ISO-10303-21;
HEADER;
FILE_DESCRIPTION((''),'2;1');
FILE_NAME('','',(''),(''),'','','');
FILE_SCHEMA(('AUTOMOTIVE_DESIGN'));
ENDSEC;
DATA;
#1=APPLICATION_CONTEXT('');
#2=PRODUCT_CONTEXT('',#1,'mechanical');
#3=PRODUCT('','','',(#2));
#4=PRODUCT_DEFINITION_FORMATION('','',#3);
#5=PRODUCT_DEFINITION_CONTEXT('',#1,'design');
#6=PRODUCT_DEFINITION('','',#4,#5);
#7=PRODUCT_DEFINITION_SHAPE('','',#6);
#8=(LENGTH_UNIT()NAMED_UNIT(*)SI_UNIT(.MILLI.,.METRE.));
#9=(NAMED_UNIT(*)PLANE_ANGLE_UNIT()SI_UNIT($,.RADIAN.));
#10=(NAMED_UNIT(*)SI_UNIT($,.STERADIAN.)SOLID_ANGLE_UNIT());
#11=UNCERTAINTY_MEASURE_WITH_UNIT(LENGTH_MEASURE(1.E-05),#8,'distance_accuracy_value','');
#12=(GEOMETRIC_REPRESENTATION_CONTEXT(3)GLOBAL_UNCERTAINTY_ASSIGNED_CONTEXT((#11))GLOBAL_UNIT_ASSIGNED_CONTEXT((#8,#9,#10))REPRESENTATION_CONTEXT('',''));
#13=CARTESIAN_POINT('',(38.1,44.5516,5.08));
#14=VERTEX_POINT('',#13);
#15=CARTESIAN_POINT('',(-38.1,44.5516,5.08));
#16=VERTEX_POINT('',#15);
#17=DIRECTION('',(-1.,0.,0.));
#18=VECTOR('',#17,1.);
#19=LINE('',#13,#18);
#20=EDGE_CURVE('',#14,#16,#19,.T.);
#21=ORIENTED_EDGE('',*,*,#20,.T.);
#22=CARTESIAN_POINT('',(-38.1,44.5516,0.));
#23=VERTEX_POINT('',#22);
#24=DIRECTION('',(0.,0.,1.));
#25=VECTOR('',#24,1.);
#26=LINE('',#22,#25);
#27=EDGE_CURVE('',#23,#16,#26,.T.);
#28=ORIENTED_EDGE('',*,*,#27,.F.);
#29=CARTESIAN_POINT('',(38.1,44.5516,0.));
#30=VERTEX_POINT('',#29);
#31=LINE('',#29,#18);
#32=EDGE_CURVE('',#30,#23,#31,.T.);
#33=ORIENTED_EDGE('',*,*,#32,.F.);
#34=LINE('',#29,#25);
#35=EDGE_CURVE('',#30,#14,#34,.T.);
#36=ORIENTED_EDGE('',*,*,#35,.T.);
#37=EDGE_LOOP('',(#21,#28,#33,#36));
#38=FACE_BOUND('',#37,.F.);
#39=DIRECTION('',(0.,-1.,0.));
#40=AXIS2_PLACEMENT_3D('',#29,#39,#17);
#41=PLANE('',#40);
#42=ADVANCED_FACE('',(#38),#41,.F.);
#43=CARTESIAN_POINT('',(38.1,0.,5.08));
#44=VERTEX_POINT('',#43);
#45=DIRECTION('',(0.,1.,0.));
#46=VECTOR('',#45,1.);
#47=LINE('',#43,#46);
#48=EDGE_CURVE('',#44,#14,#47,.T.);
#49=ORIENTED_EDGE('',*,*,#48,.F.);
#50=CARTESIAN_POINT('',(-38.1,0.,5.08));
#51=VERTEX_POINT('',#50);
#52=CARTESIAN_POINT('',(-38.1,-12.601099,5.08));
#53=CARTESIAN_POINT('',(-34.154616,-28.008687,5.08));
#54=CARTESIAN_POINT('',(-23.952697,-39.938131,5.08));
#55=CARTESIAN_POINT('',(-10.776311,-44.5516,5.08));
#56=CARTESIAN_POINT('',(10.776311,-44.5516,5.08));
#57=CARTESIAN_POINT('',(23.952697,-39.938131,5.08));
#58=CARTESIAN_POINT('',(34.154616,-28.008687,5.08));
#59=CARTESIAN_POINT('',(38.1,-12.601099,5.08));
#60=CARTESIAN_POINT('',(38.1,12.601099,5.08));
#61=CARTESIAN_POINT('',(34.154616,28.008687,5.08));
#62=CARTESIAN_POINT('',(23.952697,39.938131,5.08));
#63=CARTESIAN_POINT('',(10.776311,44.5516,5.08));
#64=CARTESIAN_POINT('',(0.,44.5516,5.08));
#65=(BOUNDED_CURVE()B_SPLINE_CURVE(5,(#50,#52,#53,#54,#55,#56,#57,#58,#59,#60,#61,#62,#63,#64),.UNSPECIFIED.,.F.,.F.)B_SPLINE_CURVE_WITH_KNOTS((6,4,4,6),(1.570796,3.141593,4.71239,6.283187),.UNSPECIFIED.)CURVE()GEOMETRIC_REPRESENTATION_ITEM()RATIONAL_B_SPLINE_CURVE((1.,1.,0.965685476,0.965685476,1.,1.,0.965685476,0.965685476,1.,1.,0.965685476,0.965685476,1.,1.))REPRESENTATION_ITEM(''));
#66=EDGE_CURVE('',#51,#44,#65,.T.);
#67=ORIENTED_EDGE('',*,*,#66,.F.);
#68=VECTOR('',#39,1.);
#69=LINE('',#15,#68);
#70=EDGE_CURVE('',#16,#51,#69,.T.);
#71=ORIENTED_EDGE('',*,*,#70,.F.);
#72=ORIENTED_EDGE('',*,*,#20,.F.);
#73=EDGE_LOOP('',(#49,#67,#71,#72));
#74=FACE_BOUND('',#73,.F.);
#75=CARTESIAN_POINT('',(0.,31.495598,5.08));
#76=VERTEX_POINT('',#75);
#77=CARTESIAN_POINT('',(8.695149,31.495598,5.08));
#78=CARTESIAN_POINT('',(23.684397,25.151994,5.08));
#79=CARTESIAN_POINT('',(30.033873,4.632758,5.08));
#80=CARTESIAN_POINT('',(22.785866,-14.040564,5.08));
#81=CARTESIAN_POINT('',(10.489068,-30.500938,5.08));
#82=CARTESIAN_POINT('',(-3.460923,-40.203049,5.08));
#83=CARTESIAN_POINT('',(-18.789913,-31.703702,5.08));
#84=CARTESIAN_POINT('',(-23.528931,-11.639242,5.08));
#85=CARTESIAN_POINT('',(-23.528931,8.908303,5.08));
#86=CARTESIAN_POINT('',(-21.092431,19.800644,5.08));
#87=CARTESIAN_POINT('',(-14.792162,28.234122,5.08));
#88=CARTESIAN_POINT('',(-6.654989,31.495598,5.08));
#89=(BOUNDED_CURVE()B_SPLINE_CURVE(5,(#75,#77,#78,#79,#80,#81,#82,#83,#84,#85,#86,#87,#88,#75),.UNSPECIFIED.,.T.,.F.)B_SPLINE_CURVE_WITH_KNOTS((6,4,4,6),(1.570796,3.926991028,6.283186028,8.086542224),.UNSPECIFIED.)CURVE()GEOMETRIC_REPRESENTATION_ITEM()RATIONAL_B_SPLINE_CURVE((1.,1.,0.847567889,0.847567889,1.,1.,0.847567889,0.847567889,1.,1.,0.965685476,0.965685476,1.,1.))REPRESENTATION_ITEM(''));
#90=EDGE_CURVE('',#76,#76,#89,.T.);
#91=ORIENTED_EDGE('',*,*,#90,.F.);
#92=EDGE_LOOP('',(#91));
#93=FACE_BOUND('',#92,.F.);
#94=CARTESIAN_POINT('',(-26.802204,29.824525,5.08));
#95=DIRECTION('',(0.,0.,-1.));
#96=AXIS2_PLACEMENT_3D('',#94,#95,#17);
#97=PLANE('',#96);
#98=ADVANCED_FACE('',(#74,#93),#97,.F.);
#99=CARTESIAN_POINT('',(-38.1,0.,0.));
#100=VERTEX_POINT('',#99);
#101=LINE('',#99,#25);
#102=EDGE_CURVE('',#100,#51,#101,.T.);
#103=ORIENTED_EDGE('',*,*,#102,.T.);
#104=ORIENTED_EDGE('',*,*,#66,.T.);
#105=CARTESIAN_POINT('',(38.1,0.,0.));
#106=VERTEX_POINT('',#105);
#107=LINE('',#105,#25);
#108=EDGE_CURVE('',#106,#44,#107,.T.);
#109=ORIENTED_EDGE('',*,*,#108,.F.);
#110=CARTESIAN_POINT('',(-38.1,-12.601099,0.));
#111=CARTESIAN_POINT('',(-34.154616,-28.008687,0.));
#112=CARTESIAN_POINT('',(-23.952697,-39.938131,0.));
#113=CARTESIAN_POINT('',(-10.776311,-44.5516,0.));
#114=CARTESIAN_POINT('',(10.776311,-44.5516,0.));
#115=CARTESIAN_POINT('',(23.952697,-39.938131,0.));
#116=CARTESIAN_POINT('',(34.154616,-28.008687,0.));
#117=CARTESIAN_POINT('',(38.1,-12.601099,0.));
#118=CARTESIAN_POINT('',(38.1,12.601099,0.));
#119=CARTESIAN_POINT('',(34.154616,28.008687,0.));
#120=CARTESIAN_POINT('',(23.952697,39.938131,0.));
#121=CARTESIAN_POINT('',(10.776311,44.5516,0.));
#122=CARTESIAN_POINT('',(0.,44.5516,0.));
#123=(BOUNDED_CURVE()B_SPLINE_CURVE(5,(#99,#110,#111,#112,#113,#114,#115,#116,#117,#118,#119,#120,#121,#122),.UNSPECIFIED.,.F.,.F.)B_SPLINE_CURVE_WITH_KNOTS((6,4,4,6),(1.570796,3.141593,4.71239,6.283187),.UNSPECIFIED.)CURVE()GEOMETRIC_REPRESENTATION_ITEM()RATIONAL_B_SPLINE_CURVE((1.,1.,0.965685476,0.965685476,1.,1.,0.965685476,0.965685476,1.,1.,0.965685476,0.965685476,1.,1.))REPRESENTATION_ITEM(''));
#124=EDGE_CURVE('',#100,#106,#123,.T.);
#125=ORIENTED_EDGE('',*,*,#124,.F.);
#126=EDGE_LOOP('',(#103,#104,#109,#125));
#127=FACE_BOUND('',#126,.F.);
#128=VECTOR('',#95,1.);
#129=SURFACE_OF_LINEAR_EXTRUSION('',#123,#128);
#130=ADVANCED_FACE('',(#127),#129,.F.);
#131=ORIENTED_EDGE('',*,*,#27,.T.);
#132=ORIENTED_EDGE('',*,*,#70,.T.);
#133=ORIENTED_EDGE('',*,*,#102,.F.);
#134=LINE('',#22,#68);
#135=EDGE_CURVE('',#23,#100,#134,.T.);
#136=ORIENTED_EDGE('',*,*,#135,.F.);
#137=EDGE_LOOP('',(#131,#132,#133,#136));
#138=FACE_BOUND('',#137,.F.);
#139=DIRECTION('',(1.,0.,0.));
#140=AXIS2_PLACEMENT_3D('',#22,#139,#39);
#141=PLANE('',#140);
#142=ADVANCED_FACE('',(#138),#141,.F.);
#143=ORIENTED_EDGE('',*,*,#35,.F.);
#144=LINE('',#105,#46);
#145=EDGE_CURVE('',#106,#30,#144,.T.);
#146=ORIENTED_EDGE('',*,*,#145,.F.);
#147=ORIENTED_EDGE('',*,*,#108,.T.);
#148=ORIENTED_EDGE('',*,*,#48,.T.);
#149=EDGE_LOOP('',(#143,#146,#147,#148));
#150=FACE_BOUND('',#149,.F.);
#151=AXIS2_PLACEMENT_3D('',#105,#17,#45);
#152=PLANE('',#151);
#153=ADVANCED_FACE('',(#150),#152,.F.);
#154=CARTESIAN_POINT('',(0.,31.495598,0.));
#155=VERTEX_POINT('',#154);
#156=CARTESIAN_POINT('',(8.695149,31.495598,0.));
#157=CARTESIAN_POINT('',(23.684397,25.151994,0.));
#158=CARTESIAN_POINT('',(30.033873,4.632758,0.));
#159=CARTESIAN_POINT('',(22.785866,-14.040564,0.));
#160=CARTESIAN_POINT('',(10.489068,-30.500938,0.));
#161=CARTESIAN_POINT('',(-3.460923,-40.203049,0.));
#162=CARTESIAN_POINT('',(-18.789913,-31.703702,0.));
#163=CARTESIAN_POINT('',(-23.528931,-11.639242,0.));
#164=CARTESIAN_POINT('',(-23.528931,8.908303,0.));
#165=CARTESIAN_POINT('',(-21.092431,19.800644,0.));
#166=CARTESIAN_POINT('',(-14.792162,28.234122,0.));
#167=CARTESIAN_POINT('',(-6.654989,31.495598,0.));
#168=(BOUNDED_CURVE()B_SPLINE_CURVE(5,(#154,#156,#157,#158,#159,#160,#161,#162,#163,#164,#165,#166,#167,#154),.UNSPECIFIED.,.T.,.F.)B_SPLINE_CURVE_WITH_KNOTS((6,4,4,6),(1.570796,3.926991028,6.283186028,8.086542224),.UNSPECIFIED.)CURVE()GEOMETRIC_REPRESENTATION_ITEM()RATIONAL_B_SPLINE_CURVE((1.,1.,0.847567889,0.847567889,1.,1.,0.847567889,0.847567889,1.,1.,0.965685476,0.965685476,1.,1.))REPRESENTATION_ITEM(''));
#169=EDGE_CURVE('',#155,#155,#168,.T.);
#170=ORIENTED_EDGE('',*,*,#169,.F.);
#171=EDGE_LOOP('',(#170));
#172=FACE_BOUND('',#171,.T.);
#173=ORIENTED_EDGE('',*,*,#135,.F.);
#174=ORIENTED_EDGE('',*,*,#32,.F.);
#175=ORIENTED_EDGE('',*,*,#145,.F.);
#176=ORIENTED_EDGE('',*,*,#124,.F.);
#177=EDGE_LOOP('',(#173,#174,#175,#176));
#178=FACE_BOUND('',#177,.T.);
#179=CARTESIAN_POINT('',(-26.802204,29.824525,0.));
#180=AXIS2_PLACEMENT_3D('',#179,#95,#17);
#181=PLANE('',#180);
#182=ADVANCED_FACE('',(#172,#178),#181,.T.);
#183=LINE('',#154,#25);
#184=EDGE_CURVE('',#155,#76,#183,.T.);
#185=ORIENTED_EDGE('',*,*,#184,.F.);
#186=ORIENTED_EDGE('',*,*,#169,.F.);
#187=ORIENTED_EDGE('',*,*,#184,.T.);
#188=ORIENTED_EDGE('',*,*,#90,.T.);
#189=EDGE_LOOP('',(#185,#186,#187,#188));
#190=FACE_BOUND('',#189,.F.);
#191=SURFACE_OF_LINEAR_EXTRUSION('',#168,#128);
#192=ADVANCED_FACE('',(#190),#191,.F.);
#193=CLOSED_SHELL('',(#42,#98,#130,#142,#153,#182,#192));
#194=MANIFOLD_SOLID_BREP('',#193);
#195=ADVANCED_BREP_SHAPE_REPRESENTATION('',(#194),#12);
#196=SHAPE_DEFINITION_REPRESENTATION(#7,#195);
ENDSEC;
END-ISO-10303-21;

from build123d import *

# Parameters (mm, degrees)
F1_DEPTH = 5.08


with BuildPart() as f1:
    # F0 (on Top) → F1 (new body)
    with BuildSketch(Plane.XY):
        with BuildLine():
            add(Edge.make_bspline(
                [(0, 44.5516), (-38.1, 44.5516), (-38.1, 0)],
                knots=[0, 0, 0, 1.570796, 1.570796, 1.570796], degree=2, weights=[1, 0.707107, 1]))
            Line((0, 44.5516), (-38.1, 44.5516))
            Line((-38.1, 44.5516), (-38.1, 0))
        make_face()
        with BuildLine():
            add(Edge.make_bspline(
                [(0, 31.495598), (-23.528931, 31.495598), (-23.528931, 0)],
                knots=[0, 0, 0, 1.570796, 1.570796, 1.570796], degree=2, weights=[1, 0.707107, 1]))
            Line((0, 31.495598), (0, 37.845598))
            Line((0, 37.845598), (0, 44.5516))
            add(Edge.make_bspline(
                [(0, 44.5516), (-38.1, 44.5516), (-38.1, 0)],
                knots=[0, 0, 0, 1.570796, 1.570796, 1.570796], degree=2, weights=[1, 0.707107, 1]))
            Line((-38.1, 0), (-29.878931, 0))
            Line((-29.878931, 0), (-23.528931, 0))
        make_face()
        with BuildLine():
            Line((0, 37.845598), (0, 31.495598))
            add(Edge.make_bspline(
                [(-23.528931, 0), (-23.528931, -76.037099), (16.637467, -22.270751), (56.803865, 31.495598), (0, 31.495598)],
                knots=[1.570796, 1.570796, 1.570796, 3.926991, 3.926991, 6.283185, 6.283185, 6.283185], degree=2, weights=[1, 0.382683, 1, 0.382683, 1]))
            Line((-23.528931, 0), (-29.878931, 0))
            Line((-29.878931, 0), (-38.1, 0))
            add(Edge.make_bspline(
                [(-38.1, 0), (-38.1, -44.5516), (0, -44.5516), (38.1, -44.5516), (38.1, 0)],
                knots=[1.570796, 1.570796, 1.570796, 3.141593, 3.141593, 4.712389, 4.712389, 4.712389], degree=2, weights=[1, 0.707107, 1, 0.707107, 1]))
            add(Edge.make_bspline(
                [(38.1, 0), (38.1, 44.5516), (0, 44.5516)],
                knots=[4.712389, 4.712389, 4.712389, 6.283185, 6.283185, 6.283185], degree=2, weights=[1, 0.707107, 1]))
            Line((0, 44.5516), (0, 37.845598))
        make_face()
        with BuildLine():
            Line((38.1, 44.5516), (0, 44.5516))
            add(Edge.make_bspline(
                [(38.1, 0), (38.1, 44.5516), (0, 44.5516)],
                knots=[4.712389, 4.712389, 4.712389, 6.283185, 6.283185, 6.283185], degree=2, weights=[1, 0.707107, 1]))
            Line((38.1, 0), (38.1, 44.5516))
        make_face()
    extrude(amount=F1_DEPTH)


solid = f1.part
